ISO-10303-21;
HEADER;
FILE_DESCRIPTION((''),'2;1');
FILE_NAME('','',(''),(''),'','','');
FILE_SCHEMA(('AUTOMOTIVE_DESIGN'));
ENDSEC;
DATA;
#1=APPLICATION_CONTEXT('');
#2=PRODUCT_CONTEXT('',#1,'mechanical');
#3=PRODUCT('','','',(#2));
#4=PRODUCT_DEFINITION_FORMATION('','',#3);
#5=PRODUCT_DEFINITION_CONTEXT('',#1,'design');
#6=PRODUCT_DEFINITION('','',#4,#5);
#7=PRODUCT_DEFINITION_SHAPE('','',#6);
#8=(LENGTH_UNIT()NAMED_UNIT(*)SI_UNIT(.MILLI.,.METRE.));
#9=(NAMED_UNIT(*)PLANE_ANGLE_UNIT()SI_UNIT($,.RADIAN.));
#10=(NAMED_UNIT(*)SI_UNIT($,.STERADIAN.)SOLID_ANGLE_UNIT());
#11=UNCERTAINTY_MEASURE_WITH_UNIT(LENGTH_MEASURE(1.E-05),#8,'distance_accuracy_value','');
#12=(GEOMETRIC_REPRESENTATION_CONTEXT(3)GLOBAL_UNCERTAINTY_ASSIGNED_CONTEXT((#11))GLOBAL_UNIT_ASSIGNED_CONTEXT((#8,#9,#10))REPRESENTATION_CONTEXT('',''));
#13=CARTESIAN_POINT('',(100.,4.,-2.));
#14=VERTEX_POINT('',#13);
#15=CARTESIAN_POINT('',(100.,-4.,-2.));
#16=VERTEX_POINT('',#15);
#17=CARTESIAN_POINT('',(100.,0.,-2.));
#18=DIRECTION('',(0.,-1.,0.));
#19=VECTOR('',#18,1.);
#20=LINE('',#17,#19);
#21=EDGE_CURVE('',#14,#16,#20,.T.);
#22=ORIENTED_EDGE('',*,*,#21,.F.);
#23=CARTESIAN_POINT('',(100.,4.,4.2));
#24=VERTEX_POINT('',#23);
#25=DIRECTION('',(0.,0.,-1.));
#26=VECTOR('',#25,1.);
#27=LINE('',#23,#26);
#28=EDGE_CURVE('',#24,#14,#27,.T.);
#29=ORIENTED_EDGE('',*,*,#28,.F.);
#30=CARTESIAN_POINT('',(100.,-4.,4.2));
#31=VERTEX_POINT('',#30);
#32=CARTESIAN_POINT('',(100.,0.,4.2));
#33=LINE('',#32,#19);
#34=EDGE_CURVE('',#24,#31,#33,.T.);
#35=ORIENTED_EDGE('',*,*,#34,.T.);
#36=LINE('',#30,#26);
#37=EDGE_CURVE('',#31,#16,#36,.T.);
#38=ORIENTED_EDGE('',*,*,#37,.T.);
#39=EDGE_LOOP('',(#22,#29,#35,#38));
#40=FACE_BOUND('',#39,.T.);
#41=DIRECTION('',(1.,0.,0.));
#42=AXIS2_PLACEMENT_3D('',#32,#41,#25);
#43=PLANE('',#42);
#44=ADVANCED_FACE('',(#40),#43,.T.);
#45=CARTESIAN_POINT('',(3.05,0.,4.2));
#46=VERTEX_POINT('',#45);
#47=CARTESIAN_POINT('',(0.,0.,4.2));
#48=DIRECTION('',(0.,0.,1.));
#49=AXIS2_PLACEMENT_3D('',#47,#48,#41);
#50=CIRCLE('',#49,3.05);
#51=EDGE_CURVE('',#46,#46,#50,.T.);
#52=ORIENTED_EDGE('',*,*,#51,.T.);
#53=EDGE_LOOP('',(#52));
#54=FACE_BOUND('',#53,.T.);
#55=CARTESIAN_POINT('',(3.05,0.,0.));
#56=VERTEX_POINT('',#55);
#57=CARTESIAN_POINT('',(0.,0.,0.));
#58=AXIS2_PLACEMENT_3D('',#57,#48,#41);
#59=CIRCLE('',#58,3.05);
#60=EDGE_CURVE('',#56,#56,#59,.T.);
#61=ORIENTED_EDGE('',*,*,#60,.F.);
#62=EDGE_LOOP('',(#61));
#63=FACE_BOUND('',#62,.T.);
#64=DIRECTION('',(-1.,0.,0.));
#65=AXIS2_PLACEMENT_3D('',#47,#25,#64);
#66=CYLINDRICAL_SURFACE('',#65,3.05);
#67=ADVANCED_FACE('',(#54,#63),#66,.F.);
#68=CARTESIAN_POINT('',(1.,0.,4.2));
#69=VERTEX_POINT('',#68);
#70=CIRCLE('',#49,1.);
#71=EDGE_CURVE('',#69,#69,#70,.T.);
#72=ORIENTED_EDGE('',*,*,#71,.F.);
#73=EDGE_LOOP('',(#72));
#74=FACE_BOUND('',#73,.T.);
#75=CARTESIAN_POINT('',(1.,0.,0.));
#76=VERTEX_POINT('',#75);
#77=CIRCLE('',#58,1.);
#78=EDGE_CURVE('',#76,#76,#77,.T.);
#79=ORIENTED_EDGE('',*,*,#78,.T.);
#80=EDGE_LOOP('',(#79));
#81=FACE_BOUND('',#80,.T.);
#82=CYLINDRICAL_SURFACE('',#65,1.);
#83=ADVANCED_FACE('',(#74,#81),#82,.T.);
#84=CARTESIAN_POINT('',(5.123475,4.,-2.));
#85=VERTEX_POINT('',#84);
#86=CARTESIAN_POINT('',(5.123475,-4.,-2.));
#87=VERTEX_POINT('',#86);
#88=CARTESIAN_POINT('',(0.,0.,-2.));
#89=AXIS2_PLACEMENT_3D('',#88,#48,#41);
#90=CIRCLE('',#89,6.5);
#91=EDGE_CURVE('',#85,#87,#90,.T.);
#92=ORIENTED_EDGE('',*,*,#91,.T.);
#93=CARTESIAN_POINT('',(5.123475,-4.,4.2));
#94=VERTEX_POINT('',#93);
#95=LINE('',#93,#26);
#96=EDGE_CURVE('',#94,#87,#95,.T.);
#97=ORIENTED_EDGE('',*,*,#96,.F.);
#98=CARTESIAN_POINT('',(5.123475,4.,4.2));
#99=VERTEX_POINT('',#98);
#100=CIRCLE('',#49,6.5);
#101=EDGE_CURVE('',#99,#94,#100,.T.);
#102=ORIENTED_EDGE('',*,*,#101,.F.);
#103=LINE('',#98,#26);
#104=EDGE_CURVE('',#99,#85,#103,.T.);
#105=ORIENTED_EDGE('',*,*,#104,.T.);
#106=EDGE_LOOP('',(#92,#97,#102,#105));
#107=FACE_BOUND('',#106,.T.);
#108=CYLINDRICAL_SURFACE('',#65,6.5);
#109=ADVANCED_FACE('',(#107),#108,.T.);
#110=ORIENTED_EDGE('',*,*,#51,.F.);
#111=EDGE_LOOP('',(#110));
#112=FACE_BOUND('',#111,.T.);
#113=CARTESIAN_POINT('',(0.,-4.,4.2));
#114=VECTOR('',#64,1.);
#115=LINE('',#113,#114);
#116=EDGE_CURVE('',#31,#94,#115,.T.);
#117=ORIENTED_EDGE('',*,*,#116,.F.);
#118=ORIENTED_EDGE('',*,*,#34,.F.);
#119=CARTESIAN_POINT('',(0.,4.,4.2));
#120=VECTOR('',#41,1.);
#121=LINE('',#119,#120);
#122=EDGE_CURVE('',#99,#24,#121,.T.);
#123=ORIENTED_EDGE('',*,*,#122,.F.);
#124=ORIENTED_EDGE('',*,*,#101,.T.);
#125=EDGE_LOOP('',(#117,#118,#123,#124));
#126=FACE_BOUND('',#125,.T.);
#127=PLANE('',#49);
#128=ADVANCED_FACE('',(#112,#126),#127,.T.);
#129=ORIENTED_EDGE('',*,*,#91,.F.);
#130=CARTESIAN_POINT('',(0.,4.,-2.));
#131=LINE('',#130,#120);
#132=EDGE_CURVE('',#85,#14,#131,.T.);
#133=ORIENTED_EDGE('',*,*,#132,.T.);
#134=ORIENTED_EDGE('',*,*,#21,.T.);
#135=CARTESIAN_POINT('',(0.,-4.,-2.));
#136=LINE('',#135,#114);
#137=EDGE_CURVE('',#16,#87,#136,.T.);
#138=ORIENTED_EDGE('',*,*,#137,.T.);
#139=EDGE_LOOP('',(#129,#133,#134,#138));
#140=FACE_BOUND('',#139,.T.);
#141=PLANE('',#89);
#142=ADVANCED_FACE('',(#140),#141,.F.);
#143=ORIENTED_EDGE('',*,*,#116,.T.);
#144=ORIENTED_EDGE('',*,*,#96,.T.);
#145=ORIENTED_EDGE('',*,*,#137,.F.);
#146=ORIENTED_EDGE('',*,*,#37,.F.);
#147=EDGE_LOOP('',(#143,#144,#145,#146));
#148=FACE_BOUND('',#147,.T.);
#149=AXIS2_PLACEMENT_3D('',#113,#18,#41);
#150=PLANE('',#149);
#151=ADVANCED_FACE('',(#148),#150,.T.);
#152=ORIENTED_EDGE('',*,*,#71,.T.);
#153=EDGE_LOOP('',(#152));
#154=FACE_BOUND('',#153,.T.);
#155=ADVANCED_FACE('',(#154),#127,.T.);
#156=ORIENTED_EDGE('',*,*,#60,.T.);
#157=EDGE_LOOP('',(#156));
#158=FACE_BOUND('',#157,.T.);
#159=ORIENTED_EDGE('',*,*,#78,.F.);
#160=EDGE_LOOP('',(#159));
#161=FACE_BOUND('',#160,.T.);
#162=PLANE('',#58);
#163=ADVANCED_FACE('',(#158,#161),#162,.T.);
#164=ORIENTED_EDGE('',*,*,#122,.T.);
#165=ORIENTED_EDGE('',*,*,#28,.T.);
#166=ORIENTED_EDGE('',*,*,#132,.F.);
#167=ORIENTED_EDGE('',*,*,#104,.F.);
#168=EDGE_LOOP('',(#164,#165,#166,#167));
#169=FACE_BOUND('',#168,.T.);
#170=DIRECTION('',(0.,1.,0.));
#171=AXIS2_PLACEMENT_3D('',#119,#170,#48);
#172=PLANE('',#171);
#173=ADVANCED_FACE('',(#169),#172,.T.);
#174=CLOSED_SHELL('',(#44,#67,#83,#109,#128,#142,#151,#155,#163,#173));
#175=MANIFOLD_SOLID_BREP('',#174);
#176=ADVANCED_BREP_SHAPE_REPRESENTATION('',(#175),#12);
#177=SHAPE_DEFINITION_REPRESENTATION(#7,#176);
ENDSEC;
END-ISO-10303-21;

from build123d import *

# Parameters (mm, degrees)
SKETCH_1_R        = 3.05
EXTRUDE_1_DEPTH   = 4.2
SKETCH_1_R_2      = 1
EXTRUDE_1_2_DEPTH = 4.2
EXTRUDE_START     = -2
EXTRUDE_2_DEPTH   = 2


with BuildPart() as part:
    # 草图1 → 凸台-拉伸1 (new body)
    with BuildSketch(Plane.XY):
        with BuildLine():
            Line((100, 4), (5.123475383, 4))
            ThreePointArc((5.123475383, 4), (-6.5, 0), (5.123475383, -4))
            Line((5.123475383, -4), (100, -4))
            Line((100, -4), (100, 4))
        make_face()
        Circle(SKETCH_1_R, mode=Mode.SUBTRACT)
    extrude(amount=EXTRUDE_1_DEPTH)



with BuildPart() as body_2:
    # 草图1 → Extrude 1 2 (new body)
    with BuildSketch(Plane.XY):
        Circle(SKETCH_1_R_2)
    extrude(amount=EXTRUDE_1_2_DEPTH)


with BuildPart() as part_1:
    add(part.part)

    add(body_2.part)  # 凸台-拉伸2 merges body 2
    # 草图1<4> → 凸台-拉伸2 (add)
    with BuildSketch(Plane.XY.offset(EXTRUDE_START)):
        with BuildLine():
            Line((100, 4), (5.123475383, 4))
            ThreePointArc((5.123475383, 4), (-6.5, 0), (5.123475383, -4))
            Line((5.123475383, -4), (100, -4))
            Line((100, -4), (100, 4))
        make_face()
    extrude(amount=EXTRUDE_2_DEPTH)


solid = part_1.part
